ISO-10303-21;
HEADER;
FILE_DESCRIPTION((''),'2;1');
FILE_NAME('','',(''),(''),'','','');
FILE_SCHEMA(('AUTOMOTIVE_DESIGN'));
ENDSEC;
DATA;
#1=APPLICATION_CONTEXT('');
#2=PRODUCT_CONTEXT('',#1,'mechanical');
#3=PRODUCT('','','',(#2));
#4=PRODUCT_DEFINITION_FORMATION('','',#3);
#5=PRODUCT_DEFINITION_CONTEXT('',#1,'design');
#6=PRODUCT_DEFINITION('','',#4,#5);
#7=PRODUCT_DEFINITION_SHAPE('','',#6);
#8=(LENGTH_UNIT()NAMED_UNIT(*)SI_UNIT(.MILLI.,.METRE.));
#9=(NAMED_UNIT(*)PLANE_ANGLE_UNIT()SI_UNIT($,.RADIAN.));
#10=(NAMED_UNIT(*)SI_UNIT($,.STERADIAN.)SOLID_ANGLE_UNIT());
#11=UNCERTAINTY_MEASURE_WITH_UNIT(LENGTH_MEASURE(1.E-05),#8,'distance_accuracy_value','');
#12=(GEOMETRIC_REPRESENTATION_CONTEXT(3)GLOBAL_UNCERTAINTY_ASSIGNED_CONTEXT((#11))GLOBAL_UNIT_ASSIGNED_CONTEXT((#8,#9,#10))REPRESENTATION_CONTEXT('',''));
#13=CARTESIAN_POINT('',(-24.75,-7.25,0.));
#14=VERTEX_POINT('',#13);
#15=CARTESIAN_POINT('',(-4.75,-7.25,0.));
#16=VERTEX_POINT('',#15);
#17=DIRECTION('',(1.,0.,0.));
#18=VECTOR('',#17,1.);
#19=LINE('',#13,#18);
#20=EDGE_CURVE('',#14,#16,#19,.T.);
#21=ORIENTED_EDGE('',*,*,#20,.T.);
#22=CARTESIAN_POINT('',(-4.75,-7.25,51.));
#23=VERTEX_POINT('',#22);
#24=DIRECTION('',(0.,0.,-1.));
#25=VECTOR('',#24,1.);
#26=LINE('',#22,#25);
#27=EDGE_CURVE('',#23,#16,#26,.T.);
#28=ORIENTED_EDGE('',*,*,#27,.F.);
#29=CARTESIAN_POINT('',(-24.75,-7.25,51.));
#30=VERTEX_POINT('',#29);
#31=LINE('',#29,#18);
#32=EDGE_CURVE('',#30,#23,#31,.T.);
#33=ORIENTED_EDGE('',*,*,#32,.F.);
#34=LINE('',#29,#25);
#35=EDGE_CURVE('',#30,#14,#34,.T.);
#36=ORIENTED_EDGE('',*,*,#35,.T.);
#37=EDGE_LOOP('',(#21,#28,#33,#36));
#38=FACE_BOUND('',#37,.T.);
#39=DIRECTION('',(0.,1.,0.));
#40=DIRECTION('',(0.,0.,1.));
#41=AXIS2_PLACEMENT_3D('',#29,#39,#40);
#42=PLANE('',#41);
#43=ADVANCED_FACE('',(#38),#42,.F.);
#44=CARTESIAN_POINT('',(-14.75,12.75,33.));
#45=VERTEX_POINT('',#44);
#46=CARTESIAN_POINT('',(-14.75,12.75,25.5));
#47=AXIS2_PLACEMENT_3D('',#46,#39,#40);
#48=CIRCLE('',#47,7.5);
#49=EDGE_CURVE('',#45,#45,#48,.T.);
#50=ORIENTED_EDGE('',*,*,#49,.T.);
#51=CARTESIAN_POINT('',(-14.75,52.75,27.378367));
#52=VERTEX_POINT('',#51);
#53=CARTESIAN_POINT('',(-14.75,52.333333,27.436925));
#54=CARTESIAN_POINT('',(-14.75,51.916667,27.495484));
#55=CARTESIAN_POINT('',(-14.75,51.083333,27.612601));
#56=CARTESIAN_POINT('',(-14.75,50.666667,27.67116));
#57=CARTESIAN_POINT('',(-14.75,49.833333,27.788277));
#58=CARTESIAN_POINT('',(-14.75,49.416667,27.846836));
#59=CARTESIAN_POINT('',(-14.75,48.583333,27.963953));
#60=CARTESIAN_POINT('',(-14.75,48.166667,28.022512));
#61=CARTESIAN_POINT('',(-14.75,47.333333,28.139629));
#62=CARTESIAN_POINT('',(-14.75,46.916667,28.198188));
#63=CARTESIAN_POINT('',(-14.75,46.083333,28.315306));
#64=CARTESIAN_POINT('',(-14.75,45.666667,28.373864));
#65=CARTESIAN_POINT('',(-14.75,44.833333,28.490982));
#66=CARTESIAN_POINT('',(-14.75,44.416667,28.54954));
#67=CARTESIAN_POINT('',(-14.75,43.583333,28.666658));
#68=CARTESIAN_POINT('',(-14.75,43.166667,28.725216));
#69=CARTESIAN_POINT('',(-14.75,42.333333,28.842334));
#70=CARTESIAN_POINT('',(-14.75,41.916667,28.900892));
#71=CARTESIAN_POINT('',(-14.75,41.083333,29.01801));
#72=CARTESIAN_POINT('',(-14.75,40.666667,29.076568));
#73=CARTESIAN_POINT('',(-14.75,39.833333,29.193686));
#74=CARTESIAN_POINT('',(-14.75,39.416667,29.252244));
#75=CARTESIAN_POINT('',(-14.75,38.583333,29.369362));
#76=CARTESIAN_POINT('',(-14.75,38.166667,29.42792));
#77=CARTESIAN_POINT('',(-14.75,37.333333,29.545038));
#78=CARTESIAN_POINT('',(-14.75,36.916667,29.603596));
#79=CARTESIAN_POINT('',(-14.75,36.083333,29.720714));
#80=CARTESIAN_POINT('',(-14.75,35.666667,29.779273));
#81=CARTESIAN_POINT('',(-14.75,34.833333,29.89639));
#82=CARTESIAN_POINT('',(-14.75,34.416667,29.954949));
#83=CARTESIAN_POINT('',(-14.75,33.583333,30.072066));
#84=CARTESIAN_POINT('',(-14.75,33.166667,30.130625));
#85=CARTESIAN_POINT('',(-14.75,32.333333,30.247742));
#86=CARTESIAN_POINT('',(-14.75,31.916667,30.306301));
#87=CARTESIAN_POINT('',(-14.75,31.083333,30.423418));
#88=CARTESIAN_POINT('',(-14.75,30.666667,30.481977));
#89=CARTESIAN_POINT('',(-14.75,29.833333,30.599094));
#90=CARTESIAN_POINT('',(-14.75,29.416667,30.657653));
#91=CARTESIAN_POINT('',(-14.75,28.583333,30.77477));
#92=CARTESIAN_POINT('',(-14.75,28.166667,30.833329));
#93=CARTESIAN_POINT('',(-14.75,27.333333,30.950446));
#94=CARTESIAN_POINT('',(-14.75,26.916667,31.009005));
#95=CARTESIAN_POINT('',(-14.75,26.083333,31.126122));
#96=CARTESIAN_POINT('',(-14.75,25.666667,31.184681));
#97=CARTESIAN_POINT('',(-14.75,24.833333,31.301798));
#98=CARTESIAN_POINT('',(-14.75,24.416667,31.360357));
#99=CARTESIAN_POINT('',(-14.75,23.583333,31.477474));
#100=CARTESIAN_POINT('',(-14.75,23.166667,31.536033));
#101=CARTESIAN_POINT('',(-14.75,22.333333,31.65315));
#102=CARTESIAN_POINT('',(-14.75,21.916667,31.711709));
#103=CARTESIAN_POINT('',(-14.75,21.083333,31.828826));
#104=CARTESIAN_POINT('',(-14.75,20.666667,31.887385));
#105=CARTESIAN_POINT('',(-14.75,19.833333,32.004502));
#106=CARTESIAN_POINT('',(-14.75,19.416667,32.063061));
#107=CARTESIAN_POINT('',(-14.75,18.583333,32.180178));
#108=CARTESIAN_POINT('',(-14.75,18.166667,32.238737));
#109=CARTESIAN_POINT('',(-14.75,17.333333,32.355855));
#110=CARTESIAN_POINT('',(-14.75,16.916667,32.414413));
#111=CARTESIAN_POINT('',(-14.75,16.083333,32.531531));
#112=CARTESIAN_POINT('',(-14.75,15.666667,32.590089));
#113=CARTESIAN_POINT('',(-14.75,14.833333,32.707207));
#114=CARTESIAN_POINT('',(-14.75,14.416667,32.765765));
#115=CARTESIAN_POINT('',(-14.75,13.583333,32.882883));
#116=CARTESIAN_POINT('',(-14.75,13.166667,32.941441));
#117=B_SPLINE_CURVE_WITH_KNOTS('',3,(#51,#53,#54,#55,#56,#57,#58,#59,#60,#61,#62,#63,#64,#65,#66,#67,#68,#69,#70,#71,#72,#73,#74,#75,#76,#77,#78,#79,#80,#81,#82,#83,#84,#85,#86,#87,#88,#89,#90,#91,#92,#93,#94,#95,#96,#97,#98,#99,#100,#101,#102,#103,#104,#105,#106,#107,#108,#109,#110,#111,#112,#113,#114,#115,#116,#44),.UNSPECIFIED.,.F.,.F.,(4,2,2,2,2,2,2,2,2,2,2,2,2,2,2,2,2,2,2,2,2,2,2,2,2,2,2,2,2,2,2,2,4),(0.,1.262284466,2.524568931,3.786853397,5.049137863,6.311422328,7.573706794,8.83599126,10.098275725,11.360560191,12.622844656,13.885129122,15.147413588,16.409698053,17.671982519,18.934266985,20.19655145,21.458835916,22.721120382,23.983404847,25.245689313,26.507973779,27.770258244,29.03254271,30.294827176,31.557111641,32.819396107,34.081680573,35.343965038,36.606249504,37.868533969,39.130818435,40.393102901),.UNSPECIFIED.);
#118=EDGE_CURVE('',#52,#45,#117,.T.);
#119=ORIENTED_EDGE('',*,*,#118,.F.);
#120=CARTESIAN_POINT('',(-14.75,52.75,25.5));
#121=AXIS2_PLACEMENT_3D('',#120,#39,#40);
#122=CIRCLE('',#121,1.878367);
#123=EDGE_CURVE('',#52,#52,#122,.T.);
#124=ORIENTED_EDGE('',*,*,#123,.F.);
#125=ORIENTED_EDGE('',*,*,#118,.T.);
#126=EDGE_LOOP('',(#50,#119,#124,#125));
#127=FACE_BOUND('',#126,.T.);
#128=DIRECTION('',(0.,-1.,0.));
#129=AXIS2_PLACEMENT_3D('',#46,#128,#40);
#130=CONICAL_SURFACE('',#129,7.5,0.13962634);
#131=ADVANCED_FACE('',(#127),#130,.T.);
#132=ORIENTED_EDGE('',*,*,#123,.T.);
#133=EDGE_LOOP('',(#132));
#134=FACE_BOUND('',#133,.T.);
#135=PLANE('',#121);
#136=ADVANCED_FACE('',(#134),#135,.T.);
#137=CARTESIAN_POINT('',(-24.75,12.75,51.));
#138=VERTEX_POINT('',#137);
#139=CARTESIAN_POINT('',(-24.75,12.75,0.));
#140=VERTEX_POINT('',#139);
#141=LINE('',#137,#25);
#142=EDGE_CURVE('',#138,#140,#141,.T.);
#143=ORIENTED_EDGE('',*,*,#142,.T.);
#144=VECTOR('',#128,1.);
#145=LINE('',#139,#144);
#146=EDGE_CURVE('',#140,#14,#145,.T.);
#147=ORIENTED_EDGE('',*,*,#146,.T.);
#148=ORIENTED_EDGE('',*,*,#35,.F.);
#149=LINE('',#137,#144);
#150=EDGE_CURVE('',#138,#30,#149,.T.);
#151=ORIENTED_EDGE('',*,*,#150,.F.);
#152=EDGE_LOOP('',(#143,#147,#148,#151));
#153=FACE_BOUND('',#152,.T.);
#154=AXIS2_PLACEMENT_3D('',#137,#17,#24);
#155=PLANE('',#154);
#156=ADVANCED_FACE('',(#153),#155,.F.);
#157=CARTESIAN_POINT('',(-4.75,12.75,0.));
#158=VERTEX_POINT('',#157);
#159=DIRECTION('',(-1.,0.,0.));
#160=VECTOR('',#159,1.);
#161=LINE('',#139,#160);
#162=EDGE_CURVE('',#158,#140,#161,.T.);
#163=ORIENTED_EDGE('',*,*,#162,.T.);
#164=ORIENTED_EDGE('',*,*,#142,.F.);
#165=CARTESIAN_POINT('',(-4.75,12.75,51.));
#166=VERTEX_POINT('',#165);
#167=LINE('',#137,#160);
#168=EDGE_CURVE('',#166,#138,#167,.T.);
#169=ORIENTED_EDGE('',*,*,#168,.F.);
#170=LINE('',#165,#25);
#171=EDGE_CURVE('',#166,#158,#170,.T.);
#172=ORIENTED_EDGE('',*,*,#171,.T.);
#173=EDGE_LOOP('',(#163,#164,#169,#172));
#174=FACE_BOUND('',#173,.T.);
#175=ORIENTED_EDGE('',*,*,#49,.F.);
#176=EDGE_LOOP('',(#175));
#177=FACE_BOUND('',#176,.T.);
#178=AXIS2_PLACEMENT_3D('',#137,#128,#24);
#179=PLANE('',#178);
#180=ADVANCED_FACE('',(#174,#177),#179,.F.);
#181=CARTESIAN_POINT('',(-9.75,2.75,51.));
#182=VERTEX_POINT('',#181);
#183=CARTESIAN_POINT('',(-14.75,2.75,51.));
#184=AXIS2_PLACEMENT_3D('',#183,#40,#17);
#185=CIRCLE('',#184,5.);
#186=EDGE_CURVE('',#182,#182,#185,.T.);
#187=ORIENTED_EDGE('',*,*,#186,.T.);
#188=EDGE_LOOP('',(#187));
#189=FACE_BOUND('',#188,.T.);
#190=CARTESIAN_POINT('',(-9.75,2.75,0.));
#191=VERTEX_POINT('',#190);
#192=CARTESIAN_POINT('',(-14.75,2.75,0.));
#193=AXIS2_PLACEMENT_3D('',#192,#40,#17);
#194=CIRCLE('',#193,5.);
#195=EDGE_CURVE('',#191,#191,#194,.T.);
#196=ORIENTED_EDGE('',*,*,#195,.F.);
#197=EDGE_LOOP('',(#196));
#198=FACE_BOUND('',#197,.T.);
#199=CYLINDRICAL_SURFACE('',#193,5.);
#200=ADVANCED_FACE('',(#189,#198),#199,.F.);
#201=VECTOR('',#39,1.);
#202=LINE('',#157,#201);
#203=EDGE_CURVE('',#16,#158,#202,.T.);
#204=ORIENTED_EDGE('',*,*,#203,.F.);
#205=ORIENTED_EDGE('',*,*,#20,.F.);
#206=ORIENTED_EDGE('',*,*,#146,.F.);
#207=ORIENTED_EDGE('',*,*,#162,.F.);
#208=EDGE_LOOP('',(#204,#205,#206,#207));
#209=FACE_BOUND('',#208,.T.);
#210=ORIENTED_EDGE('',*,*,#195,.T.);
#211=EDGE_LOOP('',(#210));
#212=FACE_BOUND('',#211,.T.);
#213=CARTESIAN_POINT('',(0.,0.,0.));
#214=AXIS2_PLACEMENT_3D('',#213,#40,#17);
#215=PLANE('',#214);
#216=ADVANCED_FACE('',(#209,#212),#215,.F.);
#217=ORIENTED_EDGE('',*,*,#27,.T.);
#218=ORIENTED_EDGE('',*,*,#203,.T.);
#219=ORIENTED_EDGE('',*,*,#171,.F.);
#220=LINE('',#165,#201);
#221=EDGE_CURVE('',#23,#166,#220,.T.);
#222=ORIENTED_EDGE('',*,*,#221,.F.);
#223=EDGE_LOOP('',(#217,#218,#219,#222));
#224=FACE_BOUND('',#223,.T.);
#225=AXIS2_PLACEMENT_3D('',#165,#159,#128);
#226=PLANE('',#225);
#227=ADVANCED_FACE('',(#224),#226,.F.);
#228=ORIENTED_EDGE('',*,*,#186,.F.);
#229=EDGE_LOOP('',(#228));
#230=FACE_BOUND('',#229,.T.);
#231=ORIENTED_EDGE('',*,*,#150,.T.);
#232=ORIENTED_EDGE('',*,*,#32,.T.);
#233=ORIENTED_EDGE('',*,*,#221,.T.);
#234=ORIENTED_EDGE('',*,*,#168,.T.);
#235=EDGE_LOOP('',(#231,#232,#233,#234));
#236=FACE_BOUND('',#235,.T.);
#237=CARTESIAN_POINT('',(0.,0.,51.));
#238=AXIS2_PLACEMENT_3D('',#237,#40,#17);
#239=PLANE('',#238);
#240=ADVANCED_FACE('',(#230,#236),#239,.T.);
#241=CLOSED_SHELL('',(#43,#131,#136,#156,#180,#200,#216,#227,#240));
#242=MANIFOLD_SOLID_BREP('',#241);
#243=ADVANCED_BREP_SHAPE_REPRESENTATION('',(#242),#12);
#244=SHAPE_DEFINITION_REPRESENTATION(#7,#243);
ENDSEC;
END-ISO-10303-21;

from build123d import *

# Parameters (mm, degrees)
SKETCH2_W           = 20
SKETCH2_H           = 20
BOSS_EXTRUDE1_DEPTH = 51
SKETCH3_R           = 5
CUT_EXTRUDE1_DEPTH  = 51
SKETCH4_R           = 7.5
BOSS_EXTRUDE2_DEPTH = 40
BOSS_EXTRUDE2_TAPER = 8


with BuildPart() as part:
    # Sketch2 → Boss-Extrude1 (new body)
    with BuildSketch(Plane.XY):
        with Locations((-14.75, 2.75)):
            Rectangle(SKETCH2_W, SKETCH2_H)
    extrude(amount=BOSS_EXTRUDE1_DEPTH)

    # Sketch3 → Cut-Extrude1 (cut)
    with BuildSketch(Plane.XY.offset(51)):
        with Locations((-14.75, 2.75)):
            Circle(SKETCH3_R)
    extrude(amount=-CUT_EXTRUDE1_DEPTH, mode=Mode.SUBTRACT)

    # Sketch4 → Boss-Extrude2 (add)
    with BuildSketch(Plane(origin=(0, 12.75, 0), x_dir=(1, 0, 0), z_dir=(0, 1, 0))):
        with Locations((-14.75, -25.5)):
            Circle(SKETCH4_R)
    extrude(amount=BOSS_EXTRUDE2_DEPTH, taper=BOSS_EXTRUDE2_TAPER)


solid = part.part
